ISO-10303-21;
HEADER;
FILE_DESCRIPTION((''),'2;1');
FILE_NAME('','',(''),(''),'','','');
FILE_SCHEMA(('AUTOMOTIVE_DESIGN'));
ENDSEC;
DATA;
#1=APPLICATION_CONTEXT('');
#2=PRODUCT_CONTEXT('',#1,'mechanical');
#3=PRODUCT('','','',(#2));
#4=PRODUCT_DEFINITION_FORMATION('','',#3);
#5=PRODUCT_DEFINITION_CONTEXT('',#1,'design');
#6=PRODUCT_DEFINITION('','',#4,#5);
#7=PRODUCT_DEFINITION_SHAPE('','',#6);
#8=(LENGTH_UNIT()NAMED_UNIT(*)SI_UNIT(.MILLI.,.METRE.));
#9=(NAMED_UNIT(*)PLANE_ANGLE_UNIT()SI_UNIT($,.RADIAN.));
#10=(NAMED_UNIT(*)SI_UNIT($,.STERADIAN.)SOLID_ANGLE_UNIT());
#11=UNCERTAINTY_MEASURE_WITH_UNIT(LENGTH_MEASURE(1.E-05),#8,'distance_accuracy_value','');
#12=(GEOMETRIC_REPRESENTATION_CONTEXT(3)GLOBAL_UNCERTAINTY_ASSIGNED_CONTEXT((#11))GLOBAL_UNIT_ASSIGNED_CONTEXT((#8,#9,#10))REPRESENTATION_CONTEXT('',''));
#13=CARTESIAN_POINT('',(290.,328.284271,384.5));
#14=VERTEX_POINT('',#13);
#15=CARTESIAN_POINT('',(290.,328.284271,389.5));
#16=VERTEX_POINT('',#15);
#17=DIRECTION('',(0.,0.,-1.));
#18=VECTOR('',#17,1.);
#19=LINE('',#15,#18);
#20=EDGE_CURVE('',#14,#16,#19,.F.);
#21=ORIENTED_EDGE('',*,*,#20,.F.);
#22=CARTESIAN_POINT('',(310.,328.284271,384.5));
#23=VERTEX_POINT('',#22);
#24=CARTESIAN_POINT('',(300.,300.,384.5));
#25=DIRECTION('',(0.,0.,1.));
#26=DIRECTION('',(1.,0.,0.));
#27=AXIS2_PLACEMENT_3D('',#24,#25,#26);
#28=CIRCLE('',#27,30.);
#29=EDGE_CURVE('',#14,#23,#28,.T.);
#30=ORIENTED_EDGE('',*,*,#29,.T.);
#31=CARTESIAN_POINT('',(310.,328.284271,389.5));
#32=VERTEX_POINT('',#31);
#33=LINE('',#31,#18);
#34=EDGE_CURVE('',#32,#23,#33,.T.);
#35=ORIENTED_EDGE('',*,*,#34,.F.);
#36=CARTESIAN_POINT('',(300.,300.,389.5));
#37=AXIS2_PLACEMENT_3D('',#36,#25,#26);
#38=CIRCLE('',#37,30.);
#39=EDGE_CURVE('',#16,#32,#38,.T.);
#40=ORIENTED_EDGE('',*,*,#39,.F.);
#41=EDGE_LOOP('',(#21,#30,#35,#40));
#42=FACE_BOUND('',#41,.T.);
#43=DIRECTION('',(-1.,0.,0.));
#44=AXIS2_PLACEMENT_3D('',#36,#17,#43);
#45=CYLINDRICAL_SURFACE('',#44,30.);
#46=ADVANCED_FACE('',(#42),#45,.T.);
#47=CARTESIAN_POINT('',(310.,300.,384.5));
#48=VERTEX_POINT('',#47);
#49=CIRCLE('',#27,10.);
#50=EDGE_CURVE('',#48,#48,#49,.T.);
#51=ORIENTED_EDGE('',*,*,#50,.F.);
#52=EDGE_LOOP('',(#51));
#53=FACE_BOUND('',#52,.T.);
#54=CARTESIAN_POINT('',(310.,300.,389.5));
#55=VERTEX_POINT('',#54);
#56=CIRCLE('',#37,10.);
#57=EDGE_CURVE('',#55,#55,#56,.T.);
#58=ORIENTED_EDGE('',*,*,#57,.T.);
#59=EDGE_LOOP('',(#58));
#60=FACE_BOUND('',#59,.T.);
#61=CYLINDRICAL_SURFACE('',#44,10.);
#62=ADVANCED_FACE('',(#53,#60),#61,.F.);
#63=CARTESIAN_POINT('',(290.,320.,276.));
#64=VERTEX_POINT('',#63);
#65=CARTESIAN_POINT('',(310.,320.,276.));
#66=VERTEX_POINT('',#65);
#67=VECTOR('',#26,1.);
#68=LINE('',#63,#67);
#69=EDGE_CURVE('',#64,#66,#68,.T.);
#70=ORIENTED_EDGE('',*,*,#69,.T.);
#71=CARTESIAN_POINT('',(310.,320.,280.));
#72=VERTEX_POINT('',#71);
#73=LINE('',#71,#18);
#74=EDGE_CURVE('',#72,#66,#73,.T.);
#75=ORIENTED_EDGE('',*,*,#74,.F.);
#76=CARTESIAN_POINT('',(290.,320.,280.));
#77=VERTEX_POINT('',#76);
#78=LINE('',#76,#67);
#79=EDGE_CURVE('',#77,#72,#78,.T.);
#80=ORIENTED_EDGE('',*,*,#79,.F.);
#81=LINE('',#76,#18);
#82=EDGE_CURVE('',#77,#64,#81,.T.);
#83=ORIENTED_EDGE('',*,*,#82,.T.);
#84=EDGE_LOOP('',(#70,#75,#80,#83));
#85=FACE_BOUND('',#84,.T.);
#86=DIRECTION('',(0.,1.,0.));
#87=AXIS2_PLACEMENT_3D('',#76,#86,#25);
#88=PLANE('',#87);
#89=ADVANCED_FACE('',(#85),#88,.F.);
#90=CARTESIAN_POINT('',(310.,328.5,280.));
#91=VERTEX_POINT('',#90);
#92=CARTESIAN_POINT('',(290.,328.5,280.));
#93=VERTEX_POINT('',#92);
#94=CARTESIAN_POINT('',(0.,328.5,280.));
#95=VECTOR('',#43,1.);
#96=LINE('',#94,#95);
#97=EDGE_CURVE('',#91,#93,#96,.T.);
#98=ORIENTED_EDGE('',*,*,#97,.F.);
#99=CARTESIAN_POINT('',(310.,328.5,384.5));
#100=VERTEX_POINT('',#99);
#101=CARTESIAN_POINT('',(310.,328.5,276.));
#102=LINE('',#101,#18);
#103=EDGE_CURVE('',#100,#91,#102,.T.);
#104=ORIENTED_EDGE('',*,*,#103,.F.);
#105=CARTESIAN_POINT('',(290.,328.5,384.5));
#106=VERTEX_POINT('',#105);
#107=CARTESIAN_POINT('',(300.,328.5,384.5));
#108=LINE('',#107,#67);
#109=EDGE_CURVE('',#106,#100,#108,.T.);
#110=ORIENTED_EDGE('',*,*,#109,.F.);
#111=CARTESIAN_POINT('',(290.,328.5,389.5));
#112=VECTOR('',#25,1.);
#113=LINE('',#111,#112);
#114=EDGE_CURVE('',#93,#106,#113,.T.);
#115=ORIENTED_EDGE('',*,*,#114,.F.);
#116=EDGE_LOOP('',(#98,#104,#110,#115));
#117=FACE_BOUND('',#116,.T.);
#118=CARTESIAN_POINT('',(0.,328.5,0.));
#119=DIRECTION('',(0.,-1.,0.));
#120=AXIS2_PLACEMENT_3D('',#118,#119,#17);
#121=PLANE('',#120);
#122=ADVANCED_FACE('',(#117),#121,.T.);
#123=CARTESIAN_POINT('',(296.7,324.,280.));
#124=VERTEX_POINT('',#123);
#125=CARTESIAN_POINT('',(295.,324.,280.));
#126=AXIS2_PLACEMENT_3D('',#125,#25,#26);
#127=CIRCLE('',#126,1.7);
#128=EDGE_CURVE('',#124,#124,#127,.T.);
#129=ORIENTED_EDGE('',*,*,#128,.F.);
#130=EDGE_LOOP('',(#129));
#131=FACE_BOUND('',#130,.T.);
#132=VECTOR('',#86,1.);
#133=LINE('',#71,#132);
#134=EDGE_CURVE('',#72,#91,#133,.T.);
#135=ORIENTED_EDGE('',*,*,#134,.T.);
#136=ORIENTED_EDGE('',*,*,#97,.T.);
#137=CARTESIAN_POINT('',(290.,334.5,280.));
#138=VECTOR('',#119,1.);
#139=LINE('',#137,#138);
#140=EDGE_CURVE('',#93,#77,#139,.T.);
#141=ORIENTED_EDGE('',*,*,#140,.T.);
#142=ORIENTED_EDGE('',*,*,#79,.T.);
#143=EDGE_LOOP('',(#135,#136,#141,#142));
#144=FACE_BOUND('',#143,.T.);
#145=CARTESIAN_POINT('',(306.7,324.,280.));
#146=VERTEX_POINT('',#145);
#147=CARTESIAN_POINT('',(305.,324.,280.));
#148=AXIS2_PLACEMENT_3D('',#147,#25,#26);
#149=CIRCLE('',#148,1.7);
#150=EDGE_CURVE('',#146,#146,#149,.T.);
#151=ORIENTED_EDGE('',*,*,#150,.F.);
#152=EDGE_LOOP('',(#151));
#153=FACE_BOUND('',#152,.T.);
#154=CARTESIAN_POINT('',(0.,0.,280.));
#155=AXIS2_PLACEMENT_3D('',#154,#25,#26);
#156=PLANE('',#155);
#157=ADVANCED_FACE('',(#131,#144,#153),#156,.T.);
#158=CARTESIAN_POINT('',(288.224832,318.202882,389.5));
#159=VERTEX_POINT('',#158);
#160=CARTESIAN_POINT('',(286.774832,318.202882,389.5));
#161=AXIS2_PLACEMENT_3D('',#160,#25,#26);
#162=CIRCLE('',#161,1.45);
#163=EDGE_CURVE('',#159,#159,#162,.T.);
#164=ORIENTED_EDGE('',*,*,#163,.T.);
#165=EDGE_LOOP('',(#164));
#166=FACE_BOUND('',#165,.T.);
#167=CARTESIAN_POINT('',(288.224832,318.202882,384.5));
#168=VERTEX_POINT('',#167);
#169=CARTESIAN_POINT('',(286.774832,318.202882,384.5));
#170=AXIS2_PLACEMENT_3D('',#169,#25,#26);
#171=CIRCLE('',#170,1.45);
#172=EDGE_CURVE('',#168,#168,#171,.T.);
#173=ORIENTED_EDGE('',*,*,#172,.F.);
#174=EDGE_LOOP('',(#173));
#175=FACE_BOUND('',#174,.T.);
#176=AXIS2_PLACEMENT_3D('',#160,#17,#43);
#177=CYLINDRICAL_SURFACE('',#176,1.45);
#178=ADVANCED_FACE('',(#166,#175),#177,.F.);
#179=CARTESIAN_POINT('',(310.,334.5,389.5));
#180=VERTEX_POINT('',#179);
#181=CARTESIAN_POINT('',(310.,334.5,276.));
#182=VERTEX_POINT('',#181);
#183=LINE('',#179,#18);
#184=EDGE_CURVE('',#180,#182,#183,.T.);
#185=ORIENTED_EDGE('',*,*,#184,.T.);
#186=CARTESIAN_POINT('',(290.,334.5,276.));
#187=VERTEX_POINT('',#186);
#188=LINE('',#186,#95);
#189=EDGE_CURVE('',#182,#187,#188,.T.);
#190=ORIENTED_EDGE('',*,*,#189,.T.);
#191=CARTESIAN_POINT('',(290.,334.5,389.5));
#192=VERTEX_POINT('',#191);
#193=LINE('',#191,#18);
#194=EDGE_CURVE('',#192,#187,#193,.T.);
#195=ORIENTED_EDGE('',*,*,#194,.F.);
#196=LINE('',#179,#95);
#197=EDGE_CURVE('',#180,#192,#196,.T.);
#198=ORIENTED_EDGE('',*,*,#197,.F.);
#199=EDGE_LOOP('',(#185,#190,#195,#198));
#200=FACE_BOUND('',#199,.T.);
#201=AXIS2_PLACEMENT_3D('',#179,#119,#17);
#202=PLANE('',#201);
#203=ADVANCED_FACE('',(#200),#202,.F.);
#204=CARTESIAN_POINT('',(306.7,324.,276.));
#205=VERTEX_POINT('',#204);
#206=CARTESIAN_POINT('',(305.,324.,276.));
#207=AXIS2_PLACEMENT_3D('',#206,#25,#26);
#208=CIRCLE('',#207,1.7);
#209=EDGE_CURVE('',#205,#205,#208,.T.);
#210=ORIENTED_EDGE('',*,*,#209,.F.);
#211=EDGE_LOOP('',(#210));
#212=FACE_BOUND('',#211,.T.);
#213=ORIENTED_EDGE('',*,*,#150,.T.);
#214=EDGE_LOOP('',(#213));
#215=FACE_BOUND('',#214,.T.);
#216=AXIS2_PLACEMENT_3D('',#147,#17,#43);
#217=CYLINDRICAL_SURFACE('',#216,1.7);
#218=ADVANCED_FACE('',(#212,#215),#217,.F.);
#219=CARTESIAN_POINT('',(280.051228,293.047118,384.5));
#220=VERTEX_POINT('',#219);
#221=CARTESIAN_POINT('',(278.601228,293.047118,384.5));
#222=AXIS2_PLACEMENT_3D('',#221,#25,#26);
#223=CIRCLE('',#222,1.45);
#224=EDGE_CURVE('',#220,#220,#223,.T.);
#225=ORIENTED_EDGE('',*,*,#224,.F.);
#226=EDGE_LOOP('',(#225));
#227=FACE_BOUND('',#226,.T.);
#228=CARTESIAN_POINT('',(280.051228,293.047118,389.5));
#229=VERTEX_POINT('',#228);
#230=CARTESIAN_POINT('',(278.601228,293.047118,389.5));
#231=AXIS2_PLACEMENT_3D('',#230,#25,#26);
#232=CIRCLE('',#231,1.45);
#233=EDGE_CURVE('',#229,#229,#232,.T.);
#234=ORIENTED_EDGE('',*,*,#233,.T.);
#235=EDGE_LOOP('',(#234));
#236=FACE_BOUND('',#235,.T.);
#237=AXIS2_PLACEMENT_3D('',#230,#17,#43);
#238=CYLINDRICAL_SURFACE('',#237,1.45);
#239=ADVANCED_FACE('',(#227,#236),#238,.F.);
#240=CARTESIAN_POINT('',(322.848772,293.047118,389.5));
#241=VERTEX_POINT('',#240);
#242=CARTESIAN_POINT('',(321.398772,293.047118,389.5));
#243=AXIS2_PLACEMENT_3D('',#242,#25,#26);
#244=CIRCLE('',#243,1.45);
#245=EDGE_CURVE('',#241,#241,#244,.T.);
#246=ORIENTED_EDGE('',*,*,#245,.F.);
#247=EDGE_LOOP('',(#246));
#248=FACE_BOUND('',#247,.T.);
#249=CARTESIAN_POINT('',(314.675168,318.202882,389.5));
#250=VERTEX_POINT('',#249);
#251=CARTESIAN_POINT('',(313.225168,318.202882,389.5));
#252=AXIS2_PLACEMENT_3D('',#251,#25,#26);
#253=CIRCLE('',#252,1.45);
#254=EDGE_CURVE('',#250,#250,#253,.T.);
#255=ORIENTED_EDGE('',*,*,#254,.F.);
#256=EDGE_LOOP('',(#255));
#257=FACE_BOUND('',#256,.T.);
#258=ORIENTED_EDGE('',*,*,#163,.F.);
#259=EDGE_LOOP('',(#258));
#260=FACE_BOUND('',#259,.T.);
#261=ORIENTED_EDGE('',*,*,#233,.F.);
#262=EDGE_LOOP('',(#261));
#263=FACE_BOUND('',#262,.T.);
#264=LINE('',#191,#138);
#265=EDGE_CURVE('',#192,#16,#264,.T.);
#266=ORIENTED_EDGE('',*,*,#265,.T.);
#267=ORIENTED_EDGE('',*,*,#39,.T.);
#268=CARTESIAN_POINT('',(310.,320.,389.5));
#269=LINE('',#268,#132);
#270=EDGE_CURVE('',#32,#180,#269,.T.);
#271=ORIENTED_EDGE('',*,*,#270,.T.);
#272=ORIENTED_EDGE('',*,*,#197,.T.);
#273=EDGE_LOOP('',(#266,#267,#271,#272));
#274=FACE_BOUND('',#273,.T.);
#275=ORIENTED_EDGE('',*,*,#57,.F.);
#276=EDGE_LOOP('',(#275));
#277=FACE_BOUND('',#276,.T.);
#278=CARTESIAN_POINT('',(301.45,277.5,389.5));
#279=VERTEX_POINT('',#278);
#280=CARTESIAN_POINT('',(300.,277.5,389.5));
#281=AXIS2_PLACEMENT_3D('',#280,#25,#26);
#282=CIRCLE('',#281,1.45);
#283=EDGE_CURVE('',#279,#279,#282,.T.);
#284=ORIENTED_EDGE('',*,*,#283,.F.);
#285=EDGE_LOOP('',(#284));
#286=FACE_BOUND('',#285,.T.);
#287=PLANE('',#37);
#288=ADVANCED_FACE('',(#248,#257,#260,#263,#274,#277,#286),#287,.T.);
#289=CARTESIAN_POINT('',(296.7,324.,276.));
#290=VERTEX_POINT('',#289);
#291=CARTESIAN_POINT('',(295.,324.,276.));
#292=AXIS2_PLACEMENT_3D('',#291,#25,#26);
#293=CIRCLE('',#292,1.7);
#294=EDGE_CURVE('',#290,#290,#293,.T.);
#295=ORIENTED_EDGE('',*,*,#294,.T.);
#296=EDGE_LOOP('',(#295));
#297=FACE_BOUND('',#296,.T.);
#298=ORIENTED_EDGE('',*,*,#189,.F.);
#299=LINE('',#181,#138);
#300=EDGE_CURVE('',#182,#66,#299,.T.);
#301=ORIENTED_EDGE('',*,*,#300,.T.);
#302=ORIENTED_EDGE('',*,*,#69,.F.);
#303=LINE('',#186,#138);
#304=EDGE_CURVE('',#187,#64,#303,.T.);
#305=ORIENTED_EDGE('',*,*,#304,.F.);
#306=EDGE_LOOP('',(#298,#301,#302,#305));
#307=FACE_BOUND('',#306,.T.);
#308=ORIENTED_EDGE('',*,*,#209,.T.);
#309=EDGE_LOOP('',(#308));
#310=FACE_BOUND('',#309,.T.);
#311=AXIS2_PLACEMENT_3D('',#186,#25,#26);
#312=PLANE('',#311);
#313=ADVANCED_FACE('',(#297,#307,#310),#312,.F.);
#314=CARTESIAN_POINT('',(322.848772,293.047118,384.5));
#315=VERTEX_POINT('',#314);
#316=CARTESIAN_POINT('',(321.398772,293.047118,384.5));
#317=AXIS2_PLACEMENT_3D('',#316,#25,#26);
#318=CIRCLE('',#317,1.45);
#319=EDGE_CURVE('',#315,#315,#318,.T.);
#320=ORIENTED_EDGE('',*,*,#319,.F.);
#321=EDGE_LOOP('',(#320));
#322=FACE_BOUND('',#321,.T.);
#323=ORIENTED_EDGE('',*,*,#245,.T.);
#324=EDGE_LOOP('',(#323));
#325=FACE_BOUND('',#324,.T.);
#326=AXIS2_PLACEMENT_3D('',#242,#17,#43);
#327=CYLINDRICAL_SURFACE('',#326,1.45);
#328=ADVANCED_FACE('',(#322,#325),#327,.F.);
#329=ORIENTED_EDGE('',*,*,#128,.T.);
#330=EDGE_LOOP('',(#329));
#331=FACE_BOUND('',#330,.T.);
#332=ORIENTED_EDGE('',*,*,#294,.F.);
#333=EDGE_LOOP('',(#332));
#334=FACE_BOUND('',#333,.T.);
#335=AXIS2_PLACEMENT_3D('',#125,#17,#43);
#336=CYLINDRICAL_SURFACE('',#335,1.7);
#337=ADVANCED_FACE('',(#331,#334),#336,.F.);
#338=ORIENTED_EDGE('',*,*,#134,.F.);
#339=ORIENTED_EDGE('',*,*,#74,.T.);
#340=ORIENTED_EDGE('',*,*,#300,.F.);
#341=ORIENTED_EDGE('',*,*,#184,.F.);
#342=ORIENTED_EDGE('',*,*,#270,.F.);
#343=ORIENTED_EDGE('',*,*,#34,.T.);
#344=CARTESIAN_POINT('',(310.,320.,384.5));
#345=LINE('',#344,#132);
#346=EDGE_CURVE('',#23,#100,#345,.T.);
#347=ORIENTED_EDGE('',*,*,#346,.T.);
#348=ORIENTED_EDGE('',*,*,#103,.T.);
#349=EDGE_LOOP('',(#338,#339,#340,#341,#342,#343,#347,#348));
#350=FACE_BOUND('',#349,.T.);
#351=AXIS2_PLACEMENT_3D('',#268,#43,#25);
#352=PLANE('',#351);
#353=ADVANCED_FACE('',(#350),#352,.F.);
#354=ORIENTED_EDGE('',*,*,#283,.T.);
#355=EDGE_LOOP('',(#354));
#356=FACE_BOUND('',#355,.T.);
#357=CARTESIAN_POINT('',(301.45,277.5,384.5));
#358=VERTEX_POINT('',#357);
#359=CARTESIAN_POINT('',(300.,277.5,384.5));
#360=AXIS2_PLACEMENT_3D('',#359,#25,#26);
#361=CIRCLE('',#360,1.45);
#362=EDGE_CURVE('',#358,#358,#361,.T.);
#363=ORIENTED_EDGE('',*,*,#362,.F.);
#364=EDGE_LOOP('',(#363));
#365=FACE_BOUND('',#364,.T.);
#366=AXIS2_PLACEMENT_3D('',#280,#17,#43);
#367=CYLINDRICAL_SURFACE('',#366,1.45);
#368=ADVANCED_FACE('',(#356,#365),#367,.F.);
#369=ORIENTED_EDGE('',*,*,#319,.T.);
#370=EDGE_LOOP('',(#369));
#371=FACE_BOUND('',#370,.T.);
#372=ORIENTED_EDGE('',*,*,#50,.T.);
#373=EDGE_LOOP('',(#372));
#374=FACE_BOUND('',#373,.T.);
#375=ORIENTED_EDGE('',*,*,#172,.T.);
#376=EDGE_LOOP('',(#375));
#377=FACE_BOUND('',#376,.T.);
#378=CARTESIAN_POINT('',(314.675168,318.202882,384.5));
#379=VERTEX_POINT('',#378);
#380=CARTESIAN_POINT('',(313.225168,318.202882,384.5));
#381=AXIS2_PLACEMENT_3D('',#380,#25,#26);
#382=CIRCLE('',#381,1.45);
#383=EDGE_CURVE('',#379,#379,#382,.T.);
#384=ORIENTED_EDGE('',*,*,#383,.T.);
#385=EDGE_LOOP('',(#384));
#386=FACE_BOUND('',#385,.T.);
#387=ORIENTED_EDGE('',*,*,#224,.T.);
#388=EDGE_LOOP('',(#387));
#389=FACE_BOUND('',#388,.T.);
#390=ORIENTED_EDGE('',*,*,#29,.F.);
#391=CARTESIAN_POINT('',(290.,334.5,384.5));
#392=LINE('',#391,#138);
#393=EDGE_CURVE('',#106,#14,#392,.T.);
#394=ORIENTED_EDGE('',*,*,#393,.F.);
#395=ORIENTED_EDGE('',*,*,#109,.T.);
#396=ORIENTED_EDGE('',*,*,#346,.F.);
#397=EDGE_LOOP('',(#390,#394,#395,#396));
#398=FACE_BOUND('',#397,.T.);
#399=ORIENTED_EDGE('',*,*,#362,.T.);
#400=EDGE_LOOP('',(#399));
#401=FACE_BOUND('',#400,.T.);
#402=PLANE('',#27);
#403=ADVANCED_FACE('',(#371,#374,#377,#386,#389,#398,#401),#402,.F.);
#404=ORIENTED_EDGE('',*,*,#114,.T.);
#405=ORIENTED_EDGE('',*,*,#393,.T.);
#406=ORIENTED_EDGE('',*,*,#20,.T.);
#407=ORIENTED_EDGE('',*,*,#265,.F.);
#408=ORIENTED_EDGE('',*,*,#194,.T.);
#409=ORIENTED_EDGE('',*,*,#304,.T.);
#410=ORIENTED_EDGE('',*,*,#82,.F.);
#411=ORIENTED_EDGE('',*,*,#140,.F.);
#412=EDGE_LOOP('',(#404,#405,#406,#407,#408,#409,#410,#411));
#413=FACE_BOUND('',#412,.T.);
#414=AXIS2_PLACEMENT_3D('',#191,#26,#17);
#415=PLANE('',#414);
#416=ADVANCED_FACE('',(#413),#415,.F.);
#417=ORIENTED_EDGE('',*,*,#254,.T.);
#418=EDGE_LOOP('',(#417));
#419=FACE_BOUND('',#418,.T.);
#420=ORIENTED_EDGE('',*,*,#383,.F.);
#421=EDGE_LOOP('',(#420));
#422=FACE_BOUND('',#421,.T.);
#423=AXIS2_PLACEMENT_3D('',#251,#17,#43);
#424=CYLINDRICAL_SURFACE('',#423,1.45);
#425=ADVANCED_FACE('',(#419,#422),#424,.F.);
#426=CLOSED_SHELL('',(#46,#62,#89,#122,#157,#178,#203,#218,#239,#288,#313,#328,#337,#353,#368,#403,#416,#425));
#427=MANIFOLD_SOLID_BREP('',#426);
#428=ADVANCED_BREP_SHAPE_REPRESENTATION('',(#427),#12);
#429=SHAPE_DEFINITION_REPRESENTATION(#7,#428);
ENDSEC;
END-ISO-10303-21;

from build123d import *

# Parameters (mm, degrees)
SKETCH1_R           = 30
SKETCH1_R_2         = 10
SKETCH1_R_3         = 1.45
BOSS_EXTRUDE1_DEPTH = 5
SKETCH2_W           = 20
SKETCH2_H           = 14.5
BOSS_EXTRUDE2_DEPTH = 5
SKETCH3_W           = 20
SKETCH3_H           = 113.5
BOSS_EXTRUDE3_DEPTH = 6
SKETCH4_W           = 20
SKETCH4_H           = 14.5
SKETCH4_R           = 1.7
BOSS_EXTRUDE4_DEPTH = 4


with BuildPart() as part:
    # Sketch1 → Boss-Extrude1 (new body)
    with BuildSketch(Plane.XY.offset(384.5)):
        with Locations((300, 300)):
            Circle(SKETCH1_R)
        with Locations((300, 300)):
            Circle(SKETCH1_R_2, mode=Mode.SUBTRACT)
        with Locations((286.774831823, 318.202882373)):
            Circle(SKETCH1_R_3, mode=Mode.SUBTRACT)
        with Locations((278.601228383, 293.047117627)):
            Circle(SKETCH1_R_3, mode=Mode.SUBTRACT)
        with Locations((300, 277.5)):
            Circle(SKETCH1_R_3, mode=Mode.SUBTRACT)
        with Locations((321.398771617, 293.047117627)):
            Circle(SKETCH1_R_3, mode=Mode.SUBTRACT)
        with Locations((313.225168177, 318.202882373)):
            Circle(SKETCH1_R_3, mode=Mode.SUBTRACT)
    extrude(amount=BOSS_EXTRUDE1_DEPTH)

    # Sketch2 → Boss-Extrude2 (add)
    with BuildSketch(Plane.XY.offset(384.5)):
        with Locations((300, 327.25)):
            Rectangle(SKETCH2_W, SKETCH2_H)
    extrude(amount=BOSS_EXTRUDE2_DEPTH)

    # Sketch3 → Boss-Extrude3 (add)
    with BuildSketch(Plane(origin=(0, 328.5, 0), x_dir=(1, 0, 0), z_dir=(0, 1, 0))):
        with Locations((300, -332.75)):
            Rectangle(SKETCH3_W, SKETCH3_H)
    extrude(amount=BOSS_EXTRUDE3_DEPTH)

    # Sketch4 → Boss-Extrude4 (add)
    with BuildSketch(Plane.XY.offset(276)):
        with Locations((300, 327.25)):
            Rectangle(SKETCH4_W, SKETCH4_H)
        with Locations((295, 324)):
            Circle(SKETCH4_R, mode=Mode.SUBTRACT)
        with Locations((305, 324)):
            Circle(SKETCH4_R, mode=Mode.SUBTRACT)
    extrude(amount=BOSS_EXTRUDE4_DEPTH)


solid = part.part
